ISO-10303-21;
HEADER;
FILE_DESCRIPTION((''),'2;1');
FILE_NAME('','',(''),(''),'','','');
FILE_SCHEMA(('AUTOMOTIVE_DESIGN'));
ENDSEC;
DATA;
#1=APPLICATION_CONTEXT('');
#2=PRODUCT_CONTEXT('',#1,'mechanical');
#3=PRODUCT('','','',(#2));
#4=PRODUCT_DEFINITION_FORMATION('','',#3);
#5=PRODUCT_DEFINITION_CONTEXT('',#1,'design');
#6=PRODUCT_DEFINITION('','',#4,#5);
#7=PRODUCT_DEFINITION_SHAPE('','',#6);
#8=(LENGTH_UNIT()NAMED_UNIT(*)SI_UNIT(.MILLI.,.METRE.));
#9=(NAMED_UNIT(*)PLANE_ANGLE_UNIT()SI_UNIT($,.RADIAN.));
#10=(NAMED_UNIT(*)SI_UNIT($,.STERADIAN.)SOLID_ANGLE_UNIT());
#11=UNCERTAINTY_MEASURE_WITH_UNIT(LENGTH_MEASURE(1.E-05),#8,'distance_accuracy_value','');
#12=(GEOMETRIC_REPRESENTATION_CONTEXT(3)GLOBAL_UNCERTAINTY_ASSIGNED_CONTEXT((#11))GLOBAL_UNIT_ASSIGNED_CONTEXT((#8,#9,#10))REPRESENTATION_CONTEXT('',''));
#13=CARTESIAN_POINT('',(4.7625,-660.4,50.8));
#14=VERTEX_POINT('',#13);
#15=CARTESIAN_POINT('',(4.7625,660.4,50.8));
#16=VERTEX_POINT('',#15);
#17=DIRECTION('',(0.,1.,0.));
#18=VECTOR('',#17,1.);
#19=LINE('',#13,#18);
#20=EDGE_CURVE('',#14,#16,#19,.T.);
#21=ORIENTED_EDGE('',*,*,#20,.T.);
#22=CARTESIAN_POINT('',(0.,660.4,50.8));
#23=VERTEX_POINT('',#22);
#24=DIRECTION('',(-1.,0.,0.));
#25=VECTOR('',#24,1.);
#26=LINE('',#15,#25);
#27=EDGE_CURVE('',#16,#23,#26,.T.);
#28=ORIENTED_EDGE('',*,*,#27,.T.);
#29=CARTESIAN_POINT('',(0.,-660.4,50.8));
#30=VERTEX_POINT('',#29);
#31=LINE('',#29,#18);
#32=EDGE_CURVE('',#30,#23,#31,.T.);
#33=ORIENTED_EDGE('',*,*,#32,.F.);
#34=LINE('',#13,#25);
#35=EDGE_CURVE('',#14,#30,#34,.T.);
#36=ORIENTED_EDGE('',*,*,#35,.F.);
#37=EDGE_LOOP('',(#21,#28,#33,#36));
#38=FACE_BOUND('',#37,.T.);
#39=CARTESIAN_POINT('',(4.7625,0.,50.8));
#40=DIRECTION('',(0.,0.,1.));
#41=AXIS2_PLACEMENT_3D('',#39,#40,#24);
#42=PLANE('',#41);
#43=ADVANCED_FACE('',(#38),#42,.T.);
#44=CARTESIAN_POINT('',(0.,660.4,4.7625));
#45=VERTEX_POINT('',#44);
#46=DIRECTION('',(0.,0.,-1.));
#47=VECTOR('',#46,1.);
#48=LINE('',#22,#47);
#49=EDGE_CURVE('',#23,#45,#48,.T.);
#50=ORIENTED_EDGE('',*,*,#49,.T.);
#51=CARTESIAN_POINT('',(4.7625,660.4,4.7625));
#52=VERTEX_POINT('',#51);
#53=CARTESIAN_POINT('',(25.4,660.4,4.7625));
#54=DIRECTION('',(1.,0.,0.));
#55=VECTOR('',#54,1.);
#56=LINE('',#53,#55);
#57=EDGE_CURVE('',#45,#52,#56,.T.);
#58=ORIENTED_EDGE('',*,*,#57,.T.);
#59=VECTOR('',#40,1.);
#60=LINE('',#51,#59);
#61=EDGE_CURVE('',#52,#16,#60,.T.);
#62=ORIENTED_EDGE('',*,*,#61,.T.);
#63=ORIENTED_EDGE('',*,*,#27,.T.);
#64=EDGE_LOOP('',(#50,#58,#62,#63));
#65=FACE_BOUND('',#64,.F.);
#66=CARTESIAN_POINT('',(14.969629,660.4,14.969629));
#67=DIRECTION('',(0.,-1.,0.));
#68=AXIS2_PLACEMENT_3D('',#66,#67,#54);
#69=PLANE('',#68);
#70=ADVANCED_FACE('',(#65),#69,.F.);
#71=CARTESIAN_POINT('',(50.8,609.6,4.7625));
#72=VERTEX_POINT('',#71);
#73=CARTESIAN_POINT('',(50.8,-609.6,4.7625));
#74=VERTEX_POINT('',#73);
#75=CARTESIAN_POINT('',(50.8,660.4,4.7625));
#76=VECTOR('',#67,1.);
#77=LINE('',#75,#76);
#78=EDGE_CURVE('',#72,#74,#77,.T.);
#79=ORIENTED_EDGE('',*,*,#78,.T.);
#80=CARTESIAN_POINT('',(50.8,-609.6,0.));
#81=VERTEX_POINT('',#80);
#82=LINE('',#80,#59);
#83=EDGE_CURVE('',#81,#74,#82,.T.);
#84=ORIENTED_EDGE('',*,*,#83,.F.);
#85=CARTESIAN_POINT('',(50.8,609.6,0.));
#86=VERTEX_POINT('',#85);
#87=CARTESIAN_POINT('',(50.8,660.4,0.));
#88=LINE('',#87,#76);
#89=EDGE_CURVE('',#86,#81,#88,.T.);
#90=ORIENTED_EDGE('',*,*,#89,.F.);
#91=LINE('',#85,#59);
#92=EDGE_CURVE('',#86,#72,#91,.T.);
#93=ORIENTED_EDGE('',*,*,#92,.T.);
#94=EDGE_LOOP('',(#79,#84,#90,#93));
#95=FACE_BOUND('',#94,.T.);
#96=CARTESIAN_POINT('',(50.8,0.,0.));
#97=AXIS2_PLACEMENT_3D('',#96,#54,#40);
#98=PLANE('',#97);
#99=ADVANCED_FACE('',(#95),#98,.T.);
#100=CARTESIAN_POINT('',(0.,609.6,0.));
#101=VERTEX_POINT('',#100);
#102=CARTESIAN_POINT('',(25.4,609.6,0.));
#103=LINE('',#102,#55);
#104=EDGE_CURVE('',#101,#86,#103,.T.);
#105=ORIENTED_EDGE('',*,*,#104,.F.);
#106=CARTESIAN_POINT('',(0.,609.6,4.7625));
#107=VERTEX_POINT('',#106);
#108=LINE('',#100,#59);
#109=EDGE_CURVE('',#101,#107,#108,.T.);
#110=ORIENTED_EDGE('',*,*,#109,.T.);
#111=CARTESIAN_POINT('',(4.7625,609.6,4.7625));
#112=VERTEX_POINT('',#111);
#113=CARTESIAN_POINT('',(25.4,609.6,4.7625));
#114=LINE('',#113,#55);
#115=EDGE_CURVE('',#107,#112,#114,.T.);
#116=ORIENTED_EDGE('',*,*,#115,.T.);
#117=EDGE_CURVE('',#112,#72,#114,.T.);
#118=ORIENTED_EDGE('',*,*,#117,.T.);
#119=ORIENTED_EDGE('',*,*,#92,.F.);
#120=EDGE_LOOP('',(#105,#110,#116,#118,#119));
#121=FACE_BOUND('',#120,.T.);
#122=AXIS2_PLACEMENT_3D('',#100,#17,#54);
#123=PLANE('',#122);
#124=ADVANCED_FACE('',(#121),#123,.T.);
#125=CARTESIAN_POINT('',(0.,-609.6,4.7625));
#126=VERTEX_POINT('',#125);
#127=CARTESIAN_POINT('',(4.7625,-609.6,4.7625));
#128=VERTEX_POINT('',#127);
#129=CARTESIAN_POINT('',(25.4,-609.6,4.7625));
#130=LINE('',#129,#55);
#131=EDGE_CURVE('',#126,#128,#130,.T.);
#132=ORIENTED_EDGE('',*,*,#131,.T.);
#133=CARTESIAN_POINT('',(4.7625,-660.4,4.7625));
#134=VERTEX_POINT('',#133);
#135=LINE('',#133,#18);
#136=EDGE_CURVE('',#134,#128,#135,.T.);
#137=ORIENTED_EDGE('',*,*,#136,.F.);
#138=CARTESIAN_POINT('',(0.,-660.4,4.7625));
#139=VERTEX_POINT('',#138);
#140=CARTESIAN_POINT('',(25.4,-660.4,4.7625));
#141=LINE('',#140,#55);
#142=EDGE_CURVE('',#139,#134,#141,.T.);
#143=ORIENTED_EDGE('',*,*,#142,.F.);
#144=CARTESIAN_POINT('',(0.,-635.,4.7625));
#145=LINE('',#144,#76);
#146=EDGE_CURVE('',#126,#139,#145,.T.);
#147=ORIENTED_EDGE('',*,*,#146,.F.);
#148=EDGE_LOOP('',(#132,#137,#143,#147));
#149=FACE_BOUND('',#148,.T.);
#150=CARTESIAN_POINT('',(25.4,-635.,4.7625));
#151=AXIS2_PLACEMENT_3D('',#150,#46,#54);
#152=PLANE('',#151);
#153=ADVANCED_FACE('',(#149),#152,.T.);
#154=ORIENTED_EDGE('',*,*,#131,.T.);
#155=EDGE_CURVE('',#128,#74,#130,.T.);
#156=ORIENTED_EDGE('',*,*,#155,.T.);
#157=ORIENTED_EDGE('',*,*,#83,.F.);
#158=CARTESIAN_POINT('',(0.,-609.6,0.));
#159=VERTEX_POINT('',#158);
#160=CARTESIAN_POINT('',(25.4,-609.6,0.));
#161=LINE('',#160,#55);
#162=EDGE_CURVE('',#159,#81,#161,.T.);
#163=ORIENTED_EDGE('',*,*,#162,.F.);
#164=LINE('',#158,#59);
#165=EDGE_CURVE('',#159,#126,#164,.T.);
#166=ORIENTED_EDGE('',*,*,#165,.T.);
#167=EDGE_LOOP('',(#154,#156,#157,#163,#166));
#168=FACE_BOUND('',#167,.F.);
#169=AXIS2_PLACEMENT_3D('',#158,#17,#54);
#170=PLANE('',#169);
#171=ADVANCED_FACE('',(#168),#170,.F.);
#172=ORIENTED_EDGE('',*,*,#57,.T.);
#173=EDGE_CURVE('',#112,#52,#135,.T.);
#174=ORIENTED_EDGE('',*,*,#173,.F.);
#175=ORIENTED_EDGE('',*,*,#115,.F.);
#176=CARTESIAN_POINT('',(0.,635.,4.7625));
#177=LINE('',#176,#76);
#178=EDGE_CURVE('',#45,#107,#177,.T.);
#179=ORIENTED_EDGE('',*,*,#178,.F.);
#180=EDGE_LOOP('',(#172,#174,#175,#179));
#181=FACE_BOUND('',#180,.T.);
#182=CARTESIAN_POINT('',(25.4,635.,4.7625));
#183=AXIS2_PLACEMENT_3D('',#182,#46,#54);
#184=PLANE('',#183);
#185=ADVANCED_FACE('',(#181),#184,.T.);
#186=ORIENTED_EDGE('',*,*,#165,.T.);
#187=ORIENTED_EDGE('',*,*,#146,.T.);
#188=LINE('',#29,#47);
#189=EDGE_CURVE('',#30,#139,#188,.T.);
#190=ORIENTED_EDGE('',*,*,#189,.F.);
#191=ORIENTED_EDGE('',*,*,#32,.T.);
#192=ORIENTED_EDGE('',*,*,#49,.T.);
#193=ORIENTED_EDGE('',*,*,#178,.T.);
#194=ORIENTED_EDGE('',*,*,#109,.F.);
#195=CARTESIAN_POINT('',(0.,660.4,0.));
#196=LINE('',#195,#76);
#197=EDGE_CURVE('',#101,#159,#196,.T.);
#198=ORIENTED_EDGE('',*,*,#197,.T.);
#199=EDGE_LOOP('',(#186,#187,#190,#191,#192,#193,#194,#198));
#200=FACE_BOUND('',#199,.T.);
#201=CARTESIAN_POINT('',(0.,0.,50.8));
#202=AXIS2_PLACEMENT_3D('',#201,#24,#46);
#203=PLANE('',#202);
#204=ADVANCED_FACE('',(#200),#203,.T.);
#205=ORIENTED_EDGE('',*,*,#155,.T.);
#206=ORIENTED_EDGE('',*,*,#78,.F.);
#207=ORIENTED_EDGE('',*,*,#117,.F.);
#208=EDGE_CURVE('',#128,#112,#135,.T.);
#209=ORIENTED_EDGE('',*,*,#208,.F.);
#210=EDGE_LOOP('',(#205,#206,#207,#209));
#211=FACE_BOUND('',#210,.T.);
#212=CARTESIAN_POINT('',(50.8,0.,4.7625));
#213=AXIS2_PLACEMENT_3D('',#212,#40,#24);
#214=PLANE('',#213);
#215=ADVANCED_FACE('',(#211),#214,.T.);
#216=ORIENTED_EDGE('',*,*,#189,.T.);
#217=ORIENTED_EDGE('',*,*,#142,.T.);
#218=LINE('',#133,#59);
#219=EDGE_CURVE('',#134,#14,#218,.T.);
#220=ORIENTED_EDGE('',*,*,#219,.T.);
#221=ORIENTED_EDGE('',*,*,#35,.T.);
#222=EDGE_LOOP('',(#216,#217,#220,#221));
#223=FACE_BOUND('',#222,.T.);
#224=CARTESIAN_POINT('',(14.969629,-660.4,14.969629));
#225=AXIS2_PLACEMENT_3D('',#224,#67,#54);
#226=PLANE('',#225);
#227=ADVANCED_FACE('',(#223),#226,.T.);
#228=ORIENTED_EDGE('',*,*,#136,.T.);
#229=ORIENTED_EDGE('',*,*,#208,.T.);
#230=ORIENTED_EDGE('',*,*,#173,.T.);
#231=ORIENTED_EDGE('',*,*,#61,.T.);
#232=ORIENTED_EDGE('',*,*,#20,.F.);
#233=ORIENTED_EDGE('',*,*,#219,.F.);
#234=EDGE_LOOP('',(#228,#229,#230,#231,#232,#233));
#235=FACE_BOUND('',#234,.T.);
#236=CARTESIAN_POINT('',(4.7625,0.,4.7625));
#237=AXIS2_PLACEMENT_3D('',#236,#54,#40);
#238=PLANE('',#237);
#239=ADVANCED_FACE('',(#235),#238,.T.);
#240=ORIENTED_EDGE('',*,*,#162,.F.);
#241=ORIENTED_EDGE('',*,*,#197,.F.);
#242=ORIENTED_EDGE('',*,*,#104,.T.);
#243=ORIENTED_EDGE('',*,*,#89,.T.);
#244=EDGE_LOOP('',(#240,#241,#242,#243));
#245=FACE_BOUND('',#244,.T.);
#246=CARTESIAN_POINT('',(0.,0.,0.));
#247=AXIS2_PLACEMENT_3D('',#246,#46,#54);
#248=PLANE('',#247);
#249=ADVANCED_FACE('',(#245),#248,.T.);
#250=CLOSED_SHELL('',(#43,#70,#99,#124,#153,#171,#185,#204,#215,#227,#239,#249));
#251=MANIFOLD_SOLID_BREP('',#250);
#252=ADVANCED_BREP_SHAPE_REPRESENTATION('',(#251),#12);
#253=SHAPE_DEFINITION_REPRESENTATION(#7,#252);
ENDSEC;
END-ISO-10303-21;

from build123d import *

# Parameters (mm, degrees)
F1_DEPTH = 660.4
F2_W     = 50.8
F2_H     = 50.8
F3_DEPTH = 4.7625


with BuildPart() as f1:
    # F0 (on Front) → F1 (new body, symmetric)
    with BuildSketch(Plane.XZ):
        Polygon((0, 50.8), (0, 0), (50.8, 0), (50.8, 4.7625), (4.7625, 4.7625), (4.7625, 50.8), align=None)
    extrude(amount=F1_DEPTH, both=True)

    # F2 (on face) → F3 (cut, through all)
    with BuildSketch(Plane(origin=(0, 0, 0), x_dir=(1, 0, 0), z_dir=(0, 0, -1))):
        with Locations((25.4, 635)):
            Rectangle(F2_W, F2_H)
        with Locations((25.4, -635)):
            Rectangle(F2_W, F2_H)
    extrude(amount=-F3_DEPTH, mode=Mode.SUBTRACT)


solid = f1.part
